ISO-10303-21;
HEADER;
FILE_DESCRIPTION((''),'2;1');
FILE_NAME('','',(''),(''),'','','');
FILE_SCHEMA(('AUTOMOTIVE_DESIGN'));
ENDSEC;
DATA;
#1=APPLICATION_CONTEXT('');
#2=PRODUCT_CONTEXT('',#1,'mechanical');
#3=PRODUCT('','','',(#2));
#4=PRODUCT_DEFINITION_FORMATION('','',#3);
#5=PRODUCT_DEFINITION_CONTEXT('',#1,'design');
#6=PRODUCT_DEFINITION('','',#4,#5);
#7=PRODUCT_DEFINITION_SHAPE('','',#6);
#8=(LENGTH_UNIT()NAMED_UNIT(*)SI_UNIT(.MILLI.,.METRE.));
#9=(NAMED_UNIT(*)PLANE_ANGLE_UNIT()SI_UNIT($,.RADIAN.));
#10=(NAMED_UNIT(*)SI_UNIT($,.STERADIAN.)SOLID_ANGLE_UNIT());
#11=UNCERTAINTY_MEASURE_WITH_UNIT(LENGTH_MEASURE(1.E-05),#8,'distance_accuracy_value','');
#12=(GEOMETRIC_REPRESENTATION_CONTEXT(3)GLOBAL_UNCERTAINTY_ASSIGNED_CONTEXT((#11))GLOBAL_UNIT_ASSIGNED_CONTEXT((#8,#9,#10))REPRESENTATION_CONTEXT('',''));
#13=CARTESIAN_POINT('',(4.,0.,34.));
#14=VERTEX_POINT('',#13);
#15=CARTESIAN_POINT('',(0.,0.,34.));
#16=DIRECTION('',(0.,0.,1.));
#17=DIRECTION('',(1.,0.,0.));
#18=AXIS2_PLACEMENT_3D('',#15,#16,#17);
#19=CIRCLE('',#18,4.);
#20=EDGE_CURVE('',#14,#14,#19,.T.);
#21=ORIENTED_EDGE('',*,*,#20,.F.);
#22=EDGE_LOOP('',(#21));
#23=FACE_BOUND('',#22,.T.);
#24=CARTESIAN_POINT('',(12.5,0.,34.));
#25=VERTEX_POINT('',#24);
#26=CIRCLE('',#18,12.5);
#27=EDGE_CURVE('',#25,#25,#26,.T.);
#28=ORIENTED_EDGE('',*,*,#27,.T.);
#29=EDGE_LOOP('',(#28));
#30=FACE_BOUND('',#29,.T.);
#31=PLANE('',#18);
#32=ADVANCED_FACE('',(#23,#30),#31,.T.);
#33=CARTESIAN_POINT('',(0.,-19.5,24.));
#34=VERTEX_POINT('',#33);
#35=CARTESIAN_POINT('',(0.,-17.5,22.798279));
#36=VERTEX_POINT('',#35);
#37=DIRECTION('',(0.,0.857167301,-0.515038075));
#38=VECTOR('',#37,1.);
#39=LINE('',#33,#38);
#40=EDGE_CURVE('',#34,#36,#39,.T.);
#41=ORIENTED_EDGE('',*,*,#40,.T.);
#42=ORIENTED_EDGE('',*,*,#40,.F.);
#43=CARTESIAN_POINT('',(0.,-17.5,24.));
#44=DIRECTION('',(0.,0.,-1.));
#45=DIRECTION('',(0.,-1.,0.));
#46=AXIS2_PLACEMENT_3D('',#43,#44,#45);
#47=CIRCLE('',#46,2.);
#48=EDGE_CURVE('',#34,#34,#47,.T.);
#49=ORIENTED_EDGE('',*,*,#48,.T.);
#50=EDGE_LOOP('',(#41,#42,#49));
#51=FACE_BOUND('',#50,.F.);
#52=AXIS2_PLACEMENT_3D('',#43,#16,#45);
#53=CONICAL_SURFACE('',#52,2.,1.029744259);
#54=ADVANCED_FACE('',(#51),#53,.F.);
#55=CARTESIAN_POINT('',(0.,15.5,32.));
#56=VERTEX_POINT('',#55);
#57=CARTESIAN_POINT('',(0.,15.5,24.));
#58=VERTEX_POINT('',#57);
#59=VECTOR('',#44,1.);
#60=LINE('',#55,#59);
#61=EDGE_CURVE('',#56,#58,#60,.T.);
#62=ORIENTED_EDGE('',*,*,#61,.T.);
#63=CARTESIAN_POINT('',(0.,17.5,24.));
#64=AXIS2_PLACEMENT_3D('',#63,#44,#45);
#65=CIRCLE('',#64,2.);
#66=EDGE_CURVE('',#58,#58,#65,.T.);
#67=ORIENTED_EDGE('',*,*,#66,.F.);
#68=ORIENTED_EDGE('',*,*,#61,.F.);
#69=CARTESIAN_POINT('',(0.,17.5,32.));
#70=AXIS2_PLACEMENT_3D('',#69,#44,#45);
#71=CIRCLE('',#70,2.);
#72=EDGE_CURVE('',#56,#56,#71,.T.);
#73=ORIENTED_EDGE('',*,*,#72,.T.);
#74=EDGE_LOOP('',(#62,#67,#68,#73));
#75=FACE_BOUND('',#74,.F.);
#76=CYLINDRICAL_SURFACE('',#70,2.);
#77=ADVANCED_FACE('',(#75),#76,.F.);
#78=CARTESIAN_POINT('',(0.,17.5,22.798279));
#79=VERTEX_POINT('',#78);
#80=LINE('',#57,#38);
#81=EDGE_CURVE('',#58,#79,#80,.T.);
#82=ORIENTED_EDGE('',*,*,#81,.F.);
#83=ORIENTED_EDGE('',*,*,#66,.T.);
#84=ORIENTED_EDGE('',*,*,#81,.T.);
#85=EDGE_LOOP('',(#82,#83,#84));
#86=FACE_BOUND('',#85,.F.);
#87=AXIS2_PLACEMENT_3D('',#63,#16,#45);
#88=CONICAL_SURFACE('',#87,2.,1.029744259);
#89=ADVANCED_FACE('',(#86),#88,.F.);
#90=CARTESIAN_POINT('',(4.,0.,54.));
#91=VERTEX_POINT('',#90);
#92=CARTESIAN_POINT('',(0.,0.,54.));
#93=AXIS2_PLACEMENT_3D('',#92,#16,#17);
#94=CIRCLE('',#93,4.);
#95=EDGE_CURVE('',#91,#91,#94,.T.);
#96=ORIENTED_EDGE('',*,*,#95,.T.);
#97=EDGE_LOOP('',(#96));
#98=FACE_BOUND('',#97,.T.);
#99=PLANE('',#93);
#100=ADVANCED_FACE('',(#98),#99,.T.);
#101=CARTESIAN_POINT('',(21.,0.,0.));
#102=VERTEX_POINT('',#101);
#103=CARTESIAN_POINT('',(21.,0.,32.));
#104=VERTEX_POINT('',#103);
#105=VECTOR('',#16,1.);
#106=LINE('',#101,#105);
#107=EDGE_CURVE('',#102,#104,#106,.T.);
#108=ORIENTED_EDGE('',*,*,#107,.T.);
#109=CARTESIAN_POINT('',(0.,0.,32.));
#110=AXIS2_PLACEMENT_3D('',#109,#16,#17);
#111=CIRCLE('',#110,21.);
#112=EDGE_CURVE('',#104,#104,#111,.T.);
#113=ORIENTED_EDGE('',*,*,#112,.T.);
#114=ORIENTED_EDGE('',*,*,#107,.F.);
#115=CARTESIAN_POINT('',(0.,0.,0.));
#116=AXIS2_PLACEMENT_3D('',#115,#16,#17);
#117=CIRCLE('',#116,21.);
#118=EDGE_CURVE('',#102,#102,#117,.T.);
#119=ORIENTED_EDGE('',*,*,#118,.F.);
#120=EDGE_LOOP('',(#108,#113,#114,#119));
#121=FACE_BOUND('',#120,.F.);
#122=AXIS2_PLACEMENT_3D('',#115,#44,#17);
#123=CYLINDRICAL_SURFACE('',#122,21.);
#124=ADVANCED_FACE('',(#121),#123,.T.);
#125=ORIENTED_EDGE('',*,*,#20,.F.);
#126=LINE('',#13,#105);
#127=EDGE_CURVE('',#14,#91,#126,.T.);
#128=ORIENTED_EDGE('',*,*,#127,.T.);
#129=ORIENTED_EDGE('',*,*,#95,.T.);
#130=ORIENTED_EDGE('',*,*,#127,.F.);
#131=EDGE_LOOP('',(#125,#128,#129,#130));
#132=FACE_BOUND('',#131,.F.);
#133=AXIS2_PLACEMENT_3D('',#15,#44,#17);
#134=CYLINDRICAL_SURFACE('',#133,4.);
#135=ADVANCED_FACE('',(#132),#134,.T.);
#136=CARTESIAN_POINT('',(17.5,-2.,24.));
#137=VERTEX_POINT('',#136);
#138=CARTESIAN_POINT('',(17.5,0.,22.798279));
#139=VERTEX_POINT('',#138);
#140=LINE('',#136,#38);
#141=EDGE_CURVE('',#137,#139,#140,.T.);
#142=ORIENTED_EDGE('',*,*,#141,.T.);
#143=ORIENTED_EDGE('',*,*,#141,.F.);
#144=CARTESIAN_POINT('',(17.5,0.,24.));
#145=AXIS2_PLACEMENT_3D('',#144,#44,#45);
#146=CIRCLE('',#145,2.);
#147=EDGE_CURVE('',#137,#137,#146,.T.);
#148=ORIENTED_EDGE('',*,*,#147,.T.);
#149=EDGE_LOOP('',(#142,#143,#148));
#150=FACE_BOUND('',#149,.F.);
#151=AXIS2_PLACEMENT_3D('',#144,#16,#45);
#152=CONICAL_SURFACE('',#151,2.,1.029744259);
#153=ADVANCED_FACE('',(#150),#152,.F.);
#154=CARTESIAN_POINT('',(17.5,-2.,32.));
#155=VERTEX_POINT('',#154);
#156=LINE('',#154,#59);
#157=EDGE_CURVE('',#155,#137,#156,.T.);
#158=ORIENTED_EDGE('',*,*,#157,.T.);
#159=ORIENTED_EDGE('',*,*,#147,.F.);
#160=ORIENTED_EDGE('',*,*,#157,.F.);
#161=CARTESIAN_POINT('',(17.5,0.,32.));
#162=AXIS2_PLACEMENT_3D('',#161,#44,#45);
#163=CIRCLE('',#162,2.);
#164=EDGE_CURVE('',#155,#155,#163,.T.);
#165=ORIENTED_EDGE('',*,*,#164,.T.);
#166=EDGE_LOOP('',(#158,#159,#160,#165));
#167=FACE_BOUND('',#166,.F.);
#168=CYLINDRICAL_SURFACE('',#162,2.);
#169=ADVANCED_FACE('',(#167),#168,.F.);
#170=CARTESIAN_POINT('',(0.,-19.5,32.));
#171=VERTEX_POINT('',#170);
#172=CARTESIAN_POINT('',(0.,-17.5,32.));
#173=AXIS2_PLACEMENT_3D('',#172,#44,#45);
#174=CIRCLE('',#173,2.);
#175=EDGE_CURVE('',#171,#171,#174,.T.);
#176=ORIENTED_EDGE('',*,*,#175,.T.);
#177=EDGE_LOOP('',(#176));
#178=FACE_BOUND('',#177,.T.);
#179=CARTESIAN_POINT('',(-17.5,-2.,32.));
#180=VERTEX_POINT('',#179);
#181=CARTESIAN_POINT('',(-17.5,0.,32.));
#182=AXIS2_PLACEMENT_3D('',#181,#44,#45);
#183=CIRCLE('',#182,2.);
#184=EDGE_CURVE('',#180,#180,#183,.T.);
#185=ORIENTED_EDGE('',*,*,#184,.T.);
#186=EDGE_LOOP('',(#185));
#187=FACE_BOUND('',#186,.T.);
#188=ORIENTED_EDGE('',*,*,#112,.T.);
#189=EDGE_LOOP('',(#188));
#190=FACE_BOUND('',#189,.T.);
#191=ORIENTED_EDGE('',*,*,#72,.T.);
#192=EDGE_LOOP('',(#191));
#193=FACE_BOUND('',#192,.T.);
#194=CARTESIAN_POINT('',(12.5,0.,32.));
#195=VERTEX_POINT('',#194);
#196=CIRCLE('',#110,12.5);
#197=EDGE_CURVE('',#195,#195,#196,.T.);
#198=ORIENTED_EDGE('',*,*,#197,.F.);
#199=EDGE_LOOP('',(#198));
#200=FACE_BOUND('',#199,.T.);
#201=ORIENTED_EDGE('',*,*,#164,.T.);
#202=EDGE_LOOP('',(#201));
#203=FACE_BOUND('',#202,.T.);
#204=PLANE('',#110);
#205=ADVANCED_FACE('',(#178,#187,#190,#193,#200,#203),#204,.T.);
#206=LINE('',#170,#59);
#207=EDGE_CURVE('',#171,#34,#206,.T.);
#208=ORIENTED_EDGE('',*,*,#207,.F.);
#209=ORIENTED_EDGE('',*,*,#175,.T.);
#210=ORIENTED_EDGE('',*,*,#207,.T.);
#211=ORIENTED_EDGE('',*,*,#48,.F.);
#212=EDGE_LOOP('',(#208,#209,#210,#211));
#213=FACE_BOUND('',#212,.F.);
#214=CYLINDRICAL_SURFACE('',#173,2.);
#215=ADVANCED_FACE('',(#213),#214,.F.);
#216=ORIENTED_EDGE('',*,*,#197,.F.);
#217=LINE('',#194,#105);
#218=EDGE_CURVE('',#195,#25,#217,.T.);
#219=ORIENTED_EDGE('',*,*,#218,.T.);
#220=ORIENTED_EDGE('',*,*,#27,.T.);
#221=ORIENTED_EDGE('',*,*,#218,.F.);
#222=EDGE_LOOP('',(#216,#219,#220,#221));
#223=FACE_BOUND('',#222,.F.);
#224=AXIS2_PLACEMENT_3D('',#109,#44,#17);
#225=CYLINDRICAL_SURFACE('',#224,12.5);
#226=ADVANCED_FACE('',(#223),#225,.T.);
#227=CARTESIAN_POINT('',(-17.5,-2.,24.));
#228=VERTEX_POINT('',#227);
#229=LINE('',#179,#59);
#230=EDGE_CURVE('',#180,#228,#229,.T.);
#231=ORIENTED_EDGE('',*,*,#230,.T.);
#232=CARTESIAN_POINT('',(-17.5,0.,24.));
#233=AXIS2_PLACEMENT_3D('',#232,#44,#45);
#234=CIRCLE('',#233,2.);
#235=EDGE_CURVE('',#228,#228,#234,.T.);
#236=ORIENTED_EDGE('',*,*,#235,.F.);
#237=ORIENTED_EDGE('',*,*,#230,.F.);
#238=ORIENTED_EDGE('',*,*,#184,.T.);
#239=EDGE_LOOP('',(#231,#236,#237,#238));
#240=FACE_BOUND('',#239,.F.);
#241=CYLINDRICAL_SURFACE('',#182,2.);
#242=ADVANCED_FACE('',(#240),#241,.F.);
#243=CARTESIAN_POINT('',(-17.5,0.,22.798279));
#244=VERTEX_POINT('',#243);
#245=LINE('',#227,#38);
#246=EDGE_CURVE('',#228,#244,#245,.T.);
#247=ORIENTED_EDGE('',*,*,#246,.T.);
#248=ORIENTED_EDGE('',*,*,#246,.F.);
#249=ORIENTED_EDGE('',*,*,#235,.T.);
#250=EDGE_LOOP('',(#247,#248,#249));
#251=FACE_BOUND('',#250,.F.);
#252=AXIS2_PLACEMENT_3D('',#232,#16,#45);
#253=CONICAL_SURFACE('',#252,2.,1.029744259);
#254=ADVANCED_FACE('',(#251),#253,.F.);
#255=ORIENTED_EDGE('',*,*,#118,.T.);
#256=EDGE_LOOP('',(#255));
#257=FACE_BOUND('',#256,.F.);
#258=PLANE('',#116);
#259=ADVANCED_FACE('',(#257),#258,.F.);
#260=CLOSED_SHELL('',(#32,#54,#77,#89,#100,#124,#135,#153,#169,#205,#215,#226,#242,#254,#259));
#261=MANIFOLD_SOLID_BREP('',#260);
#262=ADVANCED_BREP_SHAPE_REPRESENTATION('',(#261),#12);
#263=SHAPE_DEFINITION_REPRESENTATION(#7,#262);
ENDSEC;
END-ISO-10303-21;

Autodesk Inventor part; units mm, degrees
ref_plane "YZ Plane" through (0, 0, 0) normal (1, 0, 0) x (0, 1, 0)
ref_plane "XZ Plane" through (0, 0, 0) normal (0, 1, 0) x (-1, 0, 0)
ref_plane "XY Plane" through (0, 0, 0) normal (0, 0, 1) x (1, 0, 0)
sketch "スケッチ1" plane through (0, 0, 0) normal (0, 0, 1) x (1, 0, 0)
  circle A0 centre (0, 0) radius 21
  dimension "d0" = 42
extrude "押し出し1" add sketch "スケッチ1" along normal blind 32
sketch "スケッチ2" plane through (0, 0, 32) normal (0, 0, 1) x (1, 0, 0)
  circle A0 centre (0, 0) radius 12.5
  dimension "d3" = 25
extrude "押し出し2" add sketch "スケッチ2" along normal blind 2
sketch "スケッチ3" plane through (0, 0, 34) normal (0, 0, 1) x (1, 0, 0)
  circle A0 centre (0, 0) radius 4
  dimension "d6" = 8
extrude "押し出し3" add sketch "スケッチ3" along normal blind 20
sketch "スケッチ4" plane through (0, 0, 32) normal (0, 0, 1) x (1, 0, 0)
  point P0 (0, 0)
  point P1 (0, 17.5)
  point P2 (-17.5, 0)
  point P3 (0, -17.5)
  point P4 (17.5, 0)
  dimension "d9" = 17.5
  dimension "d12" = 360
hole "穴1" at (0, 17.5, 32) at (-17.5, 0, 32) at (0, -17.5, 32) at (17.5, 0, 32) direction (0, 0, -1) diameter 4 depth 8 tip angle 118
properties part number "775_gearhead" material "鉄、ねずみ鋳鉄"
